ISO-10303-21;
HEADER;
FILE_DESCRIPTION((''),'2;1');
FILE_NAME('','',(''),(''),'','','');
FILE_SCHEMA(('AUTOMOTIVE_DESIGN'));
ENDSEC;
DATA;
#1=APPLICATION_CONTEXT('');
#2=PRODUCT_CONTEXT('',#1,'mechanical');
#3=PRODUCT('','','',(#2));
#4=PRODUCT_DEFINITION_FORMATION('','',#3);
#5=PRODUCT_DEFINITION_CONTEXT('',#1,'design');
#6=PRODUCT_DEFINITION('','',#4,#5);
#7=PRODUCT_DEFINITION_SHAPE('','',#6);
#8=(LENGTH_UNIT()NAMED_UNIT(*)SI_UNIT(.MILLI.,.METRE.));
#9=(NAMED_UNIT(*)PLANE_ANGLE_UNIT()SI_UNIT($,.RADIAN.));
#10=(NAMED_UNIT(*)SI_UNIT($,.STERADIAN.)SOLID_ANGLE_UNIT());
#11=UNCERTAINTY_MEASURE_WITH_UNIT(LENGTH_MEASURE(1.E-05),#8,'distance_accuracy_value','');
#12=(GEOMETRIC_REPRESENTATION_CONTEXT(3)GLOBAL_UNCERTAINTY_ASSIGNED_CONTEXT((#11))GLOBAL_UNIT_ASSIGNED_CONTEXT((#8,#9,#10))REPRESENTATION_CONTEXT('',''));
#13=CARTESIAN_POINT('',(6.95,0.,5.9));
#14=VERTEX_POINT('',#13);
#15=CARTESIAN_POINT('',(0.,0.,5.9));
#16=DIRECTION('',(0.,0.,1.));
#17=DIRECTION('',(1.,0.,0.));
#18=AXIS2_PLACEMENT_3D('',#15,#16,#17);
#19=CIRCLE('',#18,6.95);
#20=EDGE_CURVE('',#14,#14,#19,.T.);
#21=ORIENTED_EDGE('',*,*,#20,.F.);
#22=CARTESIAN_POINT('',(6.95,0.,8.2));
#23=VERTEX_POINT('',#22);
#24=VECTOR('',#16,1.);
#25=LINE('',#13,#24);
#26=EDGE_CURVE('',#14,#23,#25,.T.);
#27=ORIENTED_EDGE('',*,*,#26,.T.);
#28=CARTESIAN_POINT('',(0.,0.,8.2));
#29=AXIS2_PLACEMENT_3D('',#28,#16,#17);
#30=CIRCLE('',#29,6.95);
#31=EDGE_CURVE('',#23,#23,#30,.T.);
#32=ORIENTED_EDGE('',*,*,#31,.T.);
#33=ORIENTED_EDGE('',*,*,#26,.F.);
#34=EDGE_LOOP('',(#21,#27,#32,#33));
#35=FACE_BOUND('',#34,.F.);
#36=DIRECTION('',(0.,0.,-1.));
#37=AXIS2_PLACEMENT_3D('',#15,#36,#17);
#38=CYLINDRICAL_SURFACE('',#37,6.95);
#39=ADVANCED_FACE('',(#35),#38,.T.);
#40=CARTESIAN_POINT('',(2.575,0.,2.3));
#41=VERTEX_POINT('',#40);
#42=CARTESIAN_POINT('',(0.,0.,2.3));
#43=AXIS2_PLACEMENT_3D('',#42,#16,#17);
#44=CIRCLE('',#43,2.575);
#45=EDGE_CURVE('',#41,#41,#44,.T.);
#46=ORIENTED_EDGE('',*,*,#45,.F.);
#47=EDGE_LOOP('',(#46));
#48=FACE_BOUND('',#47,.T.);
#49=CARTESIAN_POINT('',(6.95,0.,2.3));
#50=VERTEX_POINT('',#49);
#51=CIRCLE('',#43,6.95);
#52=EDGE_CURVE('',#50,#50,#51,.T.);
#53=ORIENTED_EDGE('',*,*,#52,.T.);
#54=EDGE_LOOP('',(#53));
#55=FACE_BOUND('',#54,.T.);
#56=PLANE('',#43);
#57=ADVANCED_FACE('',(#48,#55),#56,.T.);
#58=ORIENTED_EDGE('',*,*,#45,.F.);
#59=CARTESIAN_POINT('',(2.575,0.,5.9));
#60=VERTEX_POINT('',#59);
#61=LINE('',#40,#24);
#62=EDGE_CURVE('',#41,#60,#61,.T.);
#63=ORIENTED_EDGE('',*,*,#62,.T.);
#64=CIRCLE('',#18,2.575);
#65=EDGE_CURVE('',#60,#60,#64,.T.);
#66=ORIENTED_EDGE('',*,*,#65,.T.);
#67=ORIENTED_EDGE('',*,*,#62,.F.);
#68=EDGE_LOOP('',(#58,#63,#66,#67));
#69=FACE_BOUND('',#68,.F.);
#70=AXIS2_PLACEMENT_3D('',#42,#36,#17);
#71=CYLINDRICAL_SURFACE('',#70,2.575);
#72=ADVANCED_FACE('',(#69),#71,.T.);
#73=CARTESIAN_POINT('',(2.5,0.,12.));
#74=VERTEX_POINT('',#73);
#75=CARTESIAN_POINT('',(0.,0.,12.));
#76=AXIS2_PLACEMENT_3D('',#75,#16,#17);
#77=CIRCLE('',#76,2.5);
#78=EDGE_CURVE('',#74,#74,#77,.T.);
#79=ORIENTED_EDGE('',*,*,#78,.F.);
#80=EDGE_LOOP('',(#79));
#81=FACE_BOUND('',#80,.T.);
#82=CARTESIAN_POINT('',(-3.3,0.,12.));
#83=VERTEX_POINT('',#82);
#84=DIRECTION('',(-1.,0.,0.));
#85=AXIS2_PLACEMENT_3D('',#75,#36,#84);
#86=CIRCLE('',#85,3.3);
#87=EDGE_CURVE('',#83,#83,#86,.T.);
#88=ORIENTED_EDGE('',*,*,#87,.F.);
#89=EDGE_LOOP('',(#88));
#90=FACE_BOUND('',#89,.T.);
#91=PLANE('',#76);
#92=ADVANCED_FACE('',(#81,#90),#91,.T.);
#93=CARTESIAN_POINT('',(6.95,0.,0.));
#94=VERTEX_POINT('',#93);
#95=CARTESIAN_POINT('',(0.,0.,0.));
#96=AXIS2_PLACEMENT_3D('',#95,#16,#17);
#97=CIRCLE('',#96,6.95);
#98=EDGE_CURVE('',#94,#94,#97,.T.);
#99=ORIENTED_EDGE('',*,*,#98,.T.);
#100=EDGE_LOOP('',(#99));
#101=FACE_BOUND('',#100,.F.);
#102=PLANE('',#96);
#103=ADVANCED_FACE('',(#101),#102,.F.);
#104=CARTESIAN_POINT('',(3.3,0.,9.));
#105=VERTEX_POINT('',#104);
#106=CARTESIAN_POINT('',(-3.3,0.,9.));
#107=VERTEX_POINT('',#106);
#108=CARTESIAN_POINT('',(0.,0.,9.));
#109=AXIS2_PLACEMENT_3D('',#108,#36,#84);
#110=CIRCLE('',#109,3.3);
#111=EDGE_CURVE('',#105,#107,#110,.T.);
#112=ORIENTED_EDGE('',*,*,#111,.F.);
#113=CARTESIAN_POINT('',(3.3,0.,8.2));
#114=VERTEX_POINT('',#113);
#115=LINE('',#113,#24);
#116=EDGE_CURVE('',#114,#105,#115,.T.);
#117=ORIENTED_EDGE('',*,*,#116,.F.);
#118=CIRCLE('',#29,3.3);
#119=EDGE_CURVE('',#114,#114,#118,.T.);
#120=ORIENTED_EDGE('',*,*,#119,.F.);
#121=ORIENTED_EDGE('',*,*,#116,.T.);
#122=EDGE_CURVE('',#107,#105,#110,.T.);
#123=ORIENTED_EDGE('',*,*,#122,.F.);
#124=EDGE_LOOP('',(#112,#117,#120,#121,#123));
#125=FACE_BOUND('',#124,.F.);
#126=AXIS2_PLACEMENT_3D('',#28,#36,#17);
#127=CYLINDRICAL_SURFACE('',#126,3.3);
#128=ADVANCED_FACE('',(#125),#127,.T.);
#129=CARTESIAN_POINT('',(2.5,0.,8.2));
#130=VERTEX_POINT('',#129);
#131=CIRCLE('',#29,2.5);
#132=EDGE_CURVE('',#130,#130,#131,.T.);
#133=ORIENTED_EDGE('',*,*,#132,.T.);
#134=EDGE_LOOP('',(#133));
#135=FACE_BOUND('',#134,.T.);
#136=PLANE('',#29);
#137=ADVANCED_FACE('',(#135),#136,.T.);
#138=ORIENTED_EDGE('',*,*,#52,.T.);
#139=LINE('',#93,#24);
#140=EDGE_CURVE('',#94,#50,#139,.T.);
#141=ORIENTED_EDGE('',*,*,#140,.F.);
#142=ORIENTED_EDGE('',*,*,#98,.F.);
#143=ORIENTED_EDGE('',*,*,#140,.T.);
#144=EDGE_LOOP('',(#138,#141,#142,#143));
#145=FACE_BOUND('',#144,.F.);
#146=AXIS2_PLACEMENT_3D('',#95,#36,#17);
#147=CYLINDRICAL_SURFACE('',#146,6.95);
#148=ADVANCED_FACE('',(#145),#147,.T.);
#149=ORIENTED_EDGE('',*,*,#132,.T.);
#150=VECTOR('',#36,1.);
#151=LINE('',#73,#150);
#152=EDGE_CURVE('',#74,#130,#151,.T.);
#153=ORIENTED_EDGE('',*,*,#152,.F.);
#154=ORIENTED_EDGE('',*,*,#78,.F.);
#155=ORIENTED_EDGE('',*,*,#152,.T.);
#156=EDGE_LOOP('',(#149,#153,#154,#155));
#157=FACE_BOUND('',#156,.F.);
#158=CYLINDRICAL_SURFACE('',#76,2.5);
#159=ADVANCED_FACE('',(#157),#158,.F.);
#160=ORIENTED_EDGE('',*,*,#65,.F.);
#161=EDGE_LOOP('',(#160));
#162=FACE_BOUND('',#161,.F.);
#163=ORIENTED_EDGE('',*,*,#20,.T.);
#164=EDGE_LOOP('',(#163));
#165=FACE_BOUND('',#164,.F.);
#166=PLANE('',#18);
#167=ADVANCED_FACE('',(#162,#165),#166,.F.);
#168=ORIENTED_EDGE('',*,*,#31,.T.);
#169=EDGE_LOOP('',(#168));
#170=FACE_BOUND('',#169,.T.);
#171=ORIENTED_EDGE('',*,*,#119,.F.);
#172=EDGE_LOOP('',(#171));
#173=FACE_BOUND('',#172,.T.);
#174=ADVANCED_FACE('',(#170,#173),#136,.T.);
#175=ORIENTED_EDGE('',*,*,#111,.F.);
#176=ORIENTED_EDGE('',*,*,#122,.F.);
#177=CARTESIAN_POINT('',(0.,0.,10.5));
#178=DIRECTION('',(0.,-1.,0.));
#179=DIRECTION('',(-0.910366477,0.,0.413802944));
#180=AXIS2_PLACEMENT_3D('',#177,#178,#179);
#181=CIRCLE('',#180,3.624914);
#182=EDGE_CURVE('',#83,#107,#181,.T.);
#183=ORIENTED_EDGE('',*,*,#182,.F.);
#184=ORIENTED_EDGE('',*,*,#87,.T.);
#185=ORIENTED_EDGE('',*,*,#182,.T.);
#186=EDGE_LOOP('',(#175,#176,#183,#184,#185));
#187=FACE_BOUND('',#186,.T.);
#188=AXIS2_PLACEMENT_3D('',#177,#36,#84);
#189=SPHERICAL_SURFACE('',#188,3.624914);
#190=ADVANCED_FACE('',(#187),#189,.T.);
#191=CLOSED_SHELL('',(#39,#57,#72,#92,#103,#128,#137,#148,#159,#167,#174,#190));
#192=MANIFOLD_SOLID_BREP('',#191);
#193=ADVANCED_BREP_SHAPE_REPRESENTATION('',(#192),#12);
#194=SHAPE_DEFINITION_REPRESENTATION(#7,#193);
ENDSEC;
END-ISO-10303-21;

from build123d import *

# Parameters (mm, degrees)
F0_R      = 6.95
F1_DEPTH  = 2.3
F2_R      = 2.575
F3_DEPTH  = 3.6
F4_R      = 6.95
F5_DEPTH  = 2.3
F6_R      = 3.3
F7_DEPTH  = 3.8
F10_R     = 2.5
F11_DEPTH = 3.8


with BuildPart() as f1:
    # F0 (on Top) → F1 (new body)
    with BuildSketch(Plane.XY):
        Circle(F0_R)
    extrude(amount=F1_DEPTH)

    # F2 (on face) → F3 (join)
    with BuildSketch(Plane.XY.offset(2.3)):
        Circle(F2_R)
    extrude(amount=F3_DEPTH)

    # F4 (on face) → F5 (join)
    with BuildSketch(Plane.XY.offset(5.9)):
        Circle(F4_R)
    extrude(amount=F5_DEPTH)

    # F6 (on face) → F7 (join)
    with BuildSketch(Plane.XY.offset(8.2)):
        Circle(F6_R)
    extrude(amount=F7_DEPTH)

    # F8 (on Front) → F9 (revolve)
    with BuildSketch(Plane.XZ):
        with BuildLine():
            ThreePointArc((-3.3, 12), (-3.6249137921, 10.5), (-3.3, 9))
            Line((-3.3, 9), (-3.3, 12))
        make_face()
    revolve(axis=Axis((0, 0, 8.2), (0, 0, -1)))

    # F10 (on face) → F11 (cut, through all)
    with BuildSketch(Plane.XY.offset(12)):
        Circle(F10_R)
    extrude(amount=-F11_DEPTH, mode=Mode.SUBTRACT)


solid = f1.part
